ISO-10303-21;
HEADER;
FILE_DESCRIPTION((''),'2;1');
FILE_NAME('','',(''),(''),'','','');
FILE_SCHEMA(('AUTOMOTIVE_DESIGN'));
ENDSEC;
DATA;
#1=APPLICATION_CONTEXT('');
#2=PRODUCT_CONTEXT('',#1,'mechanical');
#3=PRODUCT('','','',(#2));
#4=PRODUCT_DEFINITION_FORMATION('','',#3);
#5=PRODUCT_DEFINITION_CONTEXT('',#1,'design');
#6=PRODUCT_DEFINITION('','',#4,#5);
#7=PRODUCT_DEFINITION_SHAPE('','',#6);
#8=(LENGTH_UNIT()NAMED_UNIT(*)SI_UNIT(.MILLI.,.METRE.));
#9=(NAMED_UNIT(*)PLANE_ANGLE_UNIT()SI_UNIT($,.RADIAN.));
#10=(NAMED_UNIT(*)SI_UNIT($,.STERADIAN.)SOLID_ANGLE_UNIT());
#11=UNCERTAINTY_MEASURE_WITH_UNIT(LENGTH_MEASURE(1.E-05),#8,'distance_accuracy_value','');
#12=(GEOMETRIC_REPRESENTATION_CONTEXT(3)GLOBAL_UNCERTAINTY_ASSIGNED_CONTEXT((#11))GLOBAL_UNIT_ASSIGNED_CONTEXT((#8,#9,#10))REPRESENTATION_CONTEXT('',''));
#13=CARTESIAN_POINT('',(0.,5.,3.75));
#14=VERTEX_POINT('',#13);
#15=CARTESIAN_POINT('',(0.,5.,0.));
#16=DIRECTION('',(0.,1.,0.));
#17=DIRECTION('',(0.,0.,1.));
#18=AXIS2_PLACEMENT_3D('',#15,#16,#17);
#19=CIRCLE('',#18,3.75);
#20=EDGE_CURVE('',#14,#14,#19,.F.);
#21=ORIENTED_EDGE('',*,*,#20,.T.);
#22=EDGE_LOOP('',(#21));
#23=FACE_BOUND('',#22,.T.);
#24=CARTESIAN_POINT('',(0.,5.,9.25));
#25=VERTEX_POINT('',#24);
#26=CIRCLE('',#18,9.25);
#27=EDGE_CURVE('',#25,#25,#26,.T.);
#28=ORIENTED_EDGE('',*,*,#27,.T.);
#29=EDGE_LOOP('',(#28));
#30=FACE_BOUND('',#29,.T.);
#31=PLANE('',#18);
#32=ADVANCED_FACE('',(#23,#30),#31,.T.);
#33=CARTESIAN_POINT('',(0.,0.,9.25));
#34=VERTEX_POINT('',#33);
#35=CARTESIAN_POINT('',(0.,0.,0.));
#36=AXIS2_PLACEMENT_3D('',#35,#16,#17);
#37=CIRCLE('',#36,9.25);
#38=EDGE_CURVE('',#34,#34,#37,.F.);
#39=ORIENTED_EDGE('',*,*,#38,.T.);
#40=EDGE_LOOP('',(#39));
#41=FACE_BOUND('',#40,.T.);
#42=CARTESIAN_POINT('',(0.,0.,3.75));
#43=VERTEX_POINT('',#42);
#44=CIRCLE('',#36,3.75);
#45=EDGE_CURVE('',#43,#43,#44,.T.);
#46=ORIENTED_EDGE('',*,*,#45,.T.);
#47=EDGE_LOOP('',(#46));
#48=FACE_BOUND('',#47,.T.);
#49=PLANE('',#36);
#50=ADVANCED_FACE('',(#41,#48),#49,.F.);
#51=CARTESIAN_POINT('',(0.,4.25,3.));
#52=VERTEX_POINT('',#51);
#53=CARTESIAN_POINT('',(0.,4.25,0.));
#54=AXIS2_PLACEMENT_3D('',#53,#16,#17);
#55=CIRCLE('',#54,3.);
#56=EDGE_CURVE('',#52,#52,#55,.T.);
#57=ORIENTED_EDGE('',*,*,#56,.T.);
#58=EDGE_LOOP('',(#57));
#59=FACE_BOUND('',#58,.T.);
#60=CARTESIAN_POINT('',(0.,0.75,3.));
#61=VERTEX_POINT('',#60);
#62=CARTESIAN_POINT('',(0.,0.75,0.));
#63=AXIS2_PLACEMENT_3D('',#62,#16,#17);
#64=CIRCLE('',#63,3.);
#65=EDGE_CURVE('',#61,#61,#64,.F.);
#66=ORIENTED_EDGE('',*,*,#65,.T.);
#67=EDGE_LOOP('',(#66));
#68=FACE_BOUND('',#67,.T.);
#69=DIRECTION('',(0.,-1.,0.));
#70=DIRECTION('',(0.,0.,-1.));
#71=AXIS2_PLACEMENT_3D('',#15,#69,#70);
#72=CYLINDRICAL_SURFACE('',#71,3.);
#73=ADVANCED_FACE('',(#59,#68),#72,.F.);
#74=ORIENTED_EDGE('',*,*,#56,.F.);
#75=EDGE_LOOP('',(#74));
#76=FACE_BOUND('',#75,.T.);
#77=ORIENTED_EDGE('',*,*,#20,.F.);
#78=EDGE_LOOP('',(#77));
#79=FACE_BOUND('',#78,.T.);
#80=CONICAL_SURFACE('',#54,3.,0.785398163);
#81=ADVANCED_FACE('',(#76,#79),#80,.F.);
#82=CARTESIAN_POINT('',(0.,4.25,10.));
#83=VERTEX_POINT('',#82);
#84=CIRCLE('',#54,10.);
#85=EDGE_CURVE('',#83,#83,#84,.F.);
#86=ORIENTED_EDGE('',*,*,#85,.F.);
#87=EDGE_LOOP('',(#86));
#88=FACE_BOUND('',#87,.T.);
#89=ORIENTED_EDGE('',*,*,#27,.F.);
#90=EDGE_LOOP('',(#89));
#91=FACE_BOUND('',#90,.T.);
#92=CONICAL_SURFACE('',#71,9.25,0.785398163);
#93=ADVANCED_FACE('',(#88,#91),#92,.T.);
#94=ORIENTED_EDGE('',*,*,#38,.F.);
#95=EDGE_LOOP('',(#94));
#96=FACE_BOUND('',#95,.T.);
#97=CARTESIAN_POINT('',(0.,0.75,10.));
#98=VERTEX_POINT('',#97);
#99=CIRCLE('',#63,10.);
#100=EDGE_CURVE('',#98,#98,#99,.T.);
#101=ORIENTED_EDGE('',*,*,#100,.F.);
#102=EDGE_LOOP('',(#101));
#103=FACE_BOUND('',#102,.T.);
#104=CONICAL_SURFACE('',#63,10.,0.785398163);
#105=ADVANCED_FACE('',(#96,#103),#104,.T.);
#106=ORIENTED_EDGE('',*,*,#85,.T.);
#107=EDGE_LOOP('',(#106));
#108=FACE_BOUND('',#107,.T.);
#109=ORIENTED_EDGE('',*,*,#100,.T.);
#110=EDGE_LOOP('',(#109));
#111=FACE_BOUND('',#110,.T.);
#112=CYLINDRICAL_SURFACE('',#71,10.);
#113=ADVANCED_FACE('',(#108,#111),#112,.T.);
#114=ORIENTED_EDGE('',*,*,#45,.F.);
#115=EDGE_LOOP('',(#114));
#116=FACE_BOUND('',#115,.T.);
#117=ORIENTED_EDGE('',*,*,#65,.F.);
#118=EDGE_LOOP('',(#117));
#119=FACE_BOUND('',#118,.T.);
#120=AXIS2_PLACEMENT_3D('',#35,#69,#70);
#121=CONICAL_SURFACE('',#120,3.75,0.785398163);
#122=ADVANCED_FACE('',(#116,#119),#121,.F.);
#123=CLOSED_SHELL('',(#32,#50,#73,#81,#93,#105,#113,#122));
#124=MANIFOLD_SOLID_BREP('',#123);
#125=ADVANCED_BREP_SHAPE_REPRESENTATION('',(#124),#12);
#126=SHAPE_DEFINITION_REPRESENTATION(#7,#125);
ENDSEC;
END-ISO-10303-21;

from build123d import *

# Parameters (mm, degrees)
SKETCH1_R           = 10
SKETCH1_R_2         = 3
BOSS_EXTRUDE1_DEPTH = 5
CHAMFER1_SIZE       = 0.75


with BuildPart() as part:
    # Sketch1 → Boss-Extrude1 (new body)
    with BuildSketch(Plane(origin=(0, 0, 0), x_dir=(1, 0, 0), z_dir=(0, 1, 0))):
        with Locations(Location((0, 0, 0), (0, 0, 270))):
            Circle(SKETCH1_R)
        with Locations(Location((0, 0, 0), (0, 0, 270))):
            Circle(SKETCH1_R_2, mode=Mode.SUBTRACT)
    extrude(amount=BOSS_EXTRUDE1_DEPTH)

    # Chamfer1
    chamfer1_edges = [part.edges().sort_by_distance(p)[0] for p in [
        (0, 0, -10),
        (0, 5, -10),
        (0, 0, -3),
        (0, 5, -3),
    ]]
    chamfer(chamfer1_edges, length=CHAMFER1_SIZE)


solid = part.part
